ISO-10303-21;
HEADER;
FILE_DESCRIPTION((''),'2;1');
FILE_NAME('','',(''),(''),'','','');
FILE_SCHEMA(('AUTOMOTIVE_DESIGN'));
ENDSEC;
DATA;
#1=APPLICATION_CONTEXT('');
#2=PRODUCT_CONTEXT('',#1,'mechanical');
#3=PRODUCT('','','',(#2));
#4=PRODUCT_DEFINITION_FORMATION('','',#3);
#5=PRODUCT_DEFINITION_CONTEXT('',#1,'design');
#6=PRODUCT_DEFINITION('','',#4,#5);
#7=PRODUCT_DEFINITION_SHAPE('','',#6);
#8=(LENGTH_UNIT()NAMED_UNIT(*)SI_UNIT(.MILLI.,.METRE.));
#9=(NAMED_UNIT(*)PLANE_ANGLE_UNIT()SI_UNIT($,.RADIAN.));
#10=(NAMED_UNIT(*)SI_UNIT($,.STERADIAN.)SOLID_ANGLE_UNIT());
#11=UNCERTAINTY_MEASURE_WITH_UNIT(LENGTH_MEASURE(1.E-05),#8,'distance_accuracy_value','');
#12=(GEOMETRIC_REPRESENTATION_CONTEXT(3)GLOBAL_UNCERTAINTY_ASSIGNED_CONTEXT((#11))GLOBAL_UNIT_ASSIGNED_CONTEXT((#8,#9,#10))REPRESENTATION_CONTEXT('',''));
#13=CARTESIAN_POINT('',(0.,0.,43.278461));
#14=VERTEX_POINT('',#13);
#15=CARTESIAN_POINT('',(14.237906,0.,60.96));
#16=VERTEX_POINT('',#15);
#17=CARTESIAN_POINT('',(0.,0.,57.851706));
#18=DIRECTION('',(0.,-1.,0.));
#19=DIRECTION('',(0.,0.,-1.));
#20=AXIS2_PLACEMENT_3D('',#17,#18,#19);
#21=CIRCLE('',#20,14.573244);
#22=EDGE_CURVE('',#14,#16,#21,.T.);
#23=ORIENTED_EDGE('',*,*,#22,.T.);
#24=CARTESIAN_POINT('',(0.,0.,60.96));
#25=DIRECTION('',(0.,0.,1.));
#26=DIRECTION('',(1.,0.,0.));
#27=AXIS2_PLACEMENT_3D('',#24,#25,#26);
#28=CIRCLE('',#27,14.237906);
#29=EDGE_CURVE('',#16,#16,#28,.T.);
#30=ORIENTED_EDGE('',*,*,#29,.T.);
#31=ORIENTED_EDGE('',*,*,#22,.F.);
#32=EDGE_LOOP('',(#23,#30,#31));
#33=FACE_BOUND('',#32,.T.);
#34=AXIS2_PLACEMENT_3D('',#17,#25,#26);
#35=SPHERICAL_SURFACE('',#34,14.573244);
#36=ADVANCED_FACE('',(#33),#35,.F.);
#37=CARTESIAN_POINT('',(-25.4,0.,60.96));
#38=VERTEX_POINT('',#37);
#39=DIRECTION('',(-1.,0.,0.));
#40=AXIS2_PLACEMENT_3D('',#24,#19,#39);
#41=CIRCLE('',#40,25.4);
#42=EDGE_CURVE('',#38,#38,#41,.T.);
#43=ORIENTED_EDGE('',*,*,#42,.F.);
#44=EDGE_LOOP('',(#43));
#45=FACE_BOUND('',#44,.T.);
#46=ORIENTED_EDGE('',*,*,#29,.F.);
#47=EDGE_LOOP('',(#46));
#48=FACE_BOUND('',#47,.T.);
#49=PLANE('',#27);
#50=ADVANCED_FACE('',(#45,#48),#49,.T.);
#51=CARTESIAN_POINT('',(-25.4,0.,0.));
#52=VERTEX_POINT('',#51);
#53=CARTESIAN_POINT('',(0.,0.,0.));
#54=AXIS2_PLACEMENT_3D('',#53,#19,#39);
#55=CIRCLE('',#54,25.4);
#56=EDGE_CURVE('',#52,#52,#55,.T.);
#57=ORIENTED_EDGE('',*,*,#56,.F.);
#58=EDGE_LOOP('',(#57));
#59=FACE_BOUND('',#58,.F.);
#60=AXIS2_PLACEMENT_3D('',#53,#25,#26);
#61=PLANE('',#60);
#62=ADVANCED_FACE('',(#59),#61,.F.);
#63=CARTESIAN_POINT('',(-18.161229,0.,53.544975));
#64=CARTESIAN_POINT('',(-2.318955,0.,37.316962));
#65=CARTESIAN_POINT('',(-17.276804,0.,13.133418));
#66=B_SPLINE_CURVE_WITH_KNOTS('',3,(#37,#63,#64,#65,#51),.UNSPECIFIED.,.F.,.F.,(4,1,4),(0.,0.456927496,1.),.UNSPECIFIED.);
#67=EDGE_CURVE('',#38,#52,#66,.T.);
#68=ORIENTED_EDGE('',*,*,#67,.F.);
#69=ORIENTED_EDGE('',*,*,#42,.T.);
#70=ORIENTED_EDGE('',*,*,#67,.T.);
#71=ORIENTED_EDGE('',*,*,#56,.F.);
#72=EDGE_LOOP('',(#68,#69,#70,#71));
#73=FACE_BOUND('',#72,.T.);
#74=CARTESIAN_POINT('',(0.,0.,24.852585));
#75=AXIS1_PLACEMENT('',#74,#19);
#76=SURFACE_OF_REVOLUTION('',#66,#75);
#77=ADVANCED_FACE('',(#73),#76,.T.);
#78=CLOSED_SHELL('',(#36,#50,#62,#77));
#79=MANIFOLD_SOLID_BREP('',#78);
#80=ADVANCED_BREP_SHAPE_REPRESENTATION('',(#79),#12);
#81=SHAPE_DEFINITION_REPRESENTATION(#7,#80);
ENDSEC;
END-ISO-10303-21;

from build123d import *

# Parameters (mm, degrees)
F0_R     = 25.4
F1_DEPTH = 60.96


with BuildPart() as f1:
    # F0 (on Top) → F1 (new body)
    with BuildSketch(Plane.XY):
        Circle(F0_R)
    extrude(amount=F1_DEPTH)

    # F2 (on Front) → F3 (revolve, cut)
    with BuildSketch(Plane.XZ):
        with BuildLine():
            add(Edge.make_bspline(
                [(-25.4, 60.96), (-18.161229299, 53.5449746307), (-2.3189550459, 37.3169615682), (-17.2768036824, 13.1334177199), (-25.4, 0)],
                knots=[0, 0, 0, 0, 0.4569274957, 1, 1, 1, 1], degree=3))
            Line((-25.4, 60.96), (-25.4, 0))
        make_face()
    revolve(axis=Axis((0, 0, 24.8525852567), (0, 0, -1)), mode=Mode.SUBTRACT)

    # F4 (on Front) → F5 (revolve, cut)
    with BuildSketch(Plane.XZ):
        with BuildLine():
            Line((0, 72.4249499515), (0, 43.2784614488))
            ThreePointArc((0, 43.2784614488), (14.5732442514, 57.8517057002), (0, 72.4249499515))
        make_face()
    revolve(axis=Axis((0, 0, 57.8517057002), (0, 0, -1)), mode=Mode.SUBTRACT)


solid = f1.part
